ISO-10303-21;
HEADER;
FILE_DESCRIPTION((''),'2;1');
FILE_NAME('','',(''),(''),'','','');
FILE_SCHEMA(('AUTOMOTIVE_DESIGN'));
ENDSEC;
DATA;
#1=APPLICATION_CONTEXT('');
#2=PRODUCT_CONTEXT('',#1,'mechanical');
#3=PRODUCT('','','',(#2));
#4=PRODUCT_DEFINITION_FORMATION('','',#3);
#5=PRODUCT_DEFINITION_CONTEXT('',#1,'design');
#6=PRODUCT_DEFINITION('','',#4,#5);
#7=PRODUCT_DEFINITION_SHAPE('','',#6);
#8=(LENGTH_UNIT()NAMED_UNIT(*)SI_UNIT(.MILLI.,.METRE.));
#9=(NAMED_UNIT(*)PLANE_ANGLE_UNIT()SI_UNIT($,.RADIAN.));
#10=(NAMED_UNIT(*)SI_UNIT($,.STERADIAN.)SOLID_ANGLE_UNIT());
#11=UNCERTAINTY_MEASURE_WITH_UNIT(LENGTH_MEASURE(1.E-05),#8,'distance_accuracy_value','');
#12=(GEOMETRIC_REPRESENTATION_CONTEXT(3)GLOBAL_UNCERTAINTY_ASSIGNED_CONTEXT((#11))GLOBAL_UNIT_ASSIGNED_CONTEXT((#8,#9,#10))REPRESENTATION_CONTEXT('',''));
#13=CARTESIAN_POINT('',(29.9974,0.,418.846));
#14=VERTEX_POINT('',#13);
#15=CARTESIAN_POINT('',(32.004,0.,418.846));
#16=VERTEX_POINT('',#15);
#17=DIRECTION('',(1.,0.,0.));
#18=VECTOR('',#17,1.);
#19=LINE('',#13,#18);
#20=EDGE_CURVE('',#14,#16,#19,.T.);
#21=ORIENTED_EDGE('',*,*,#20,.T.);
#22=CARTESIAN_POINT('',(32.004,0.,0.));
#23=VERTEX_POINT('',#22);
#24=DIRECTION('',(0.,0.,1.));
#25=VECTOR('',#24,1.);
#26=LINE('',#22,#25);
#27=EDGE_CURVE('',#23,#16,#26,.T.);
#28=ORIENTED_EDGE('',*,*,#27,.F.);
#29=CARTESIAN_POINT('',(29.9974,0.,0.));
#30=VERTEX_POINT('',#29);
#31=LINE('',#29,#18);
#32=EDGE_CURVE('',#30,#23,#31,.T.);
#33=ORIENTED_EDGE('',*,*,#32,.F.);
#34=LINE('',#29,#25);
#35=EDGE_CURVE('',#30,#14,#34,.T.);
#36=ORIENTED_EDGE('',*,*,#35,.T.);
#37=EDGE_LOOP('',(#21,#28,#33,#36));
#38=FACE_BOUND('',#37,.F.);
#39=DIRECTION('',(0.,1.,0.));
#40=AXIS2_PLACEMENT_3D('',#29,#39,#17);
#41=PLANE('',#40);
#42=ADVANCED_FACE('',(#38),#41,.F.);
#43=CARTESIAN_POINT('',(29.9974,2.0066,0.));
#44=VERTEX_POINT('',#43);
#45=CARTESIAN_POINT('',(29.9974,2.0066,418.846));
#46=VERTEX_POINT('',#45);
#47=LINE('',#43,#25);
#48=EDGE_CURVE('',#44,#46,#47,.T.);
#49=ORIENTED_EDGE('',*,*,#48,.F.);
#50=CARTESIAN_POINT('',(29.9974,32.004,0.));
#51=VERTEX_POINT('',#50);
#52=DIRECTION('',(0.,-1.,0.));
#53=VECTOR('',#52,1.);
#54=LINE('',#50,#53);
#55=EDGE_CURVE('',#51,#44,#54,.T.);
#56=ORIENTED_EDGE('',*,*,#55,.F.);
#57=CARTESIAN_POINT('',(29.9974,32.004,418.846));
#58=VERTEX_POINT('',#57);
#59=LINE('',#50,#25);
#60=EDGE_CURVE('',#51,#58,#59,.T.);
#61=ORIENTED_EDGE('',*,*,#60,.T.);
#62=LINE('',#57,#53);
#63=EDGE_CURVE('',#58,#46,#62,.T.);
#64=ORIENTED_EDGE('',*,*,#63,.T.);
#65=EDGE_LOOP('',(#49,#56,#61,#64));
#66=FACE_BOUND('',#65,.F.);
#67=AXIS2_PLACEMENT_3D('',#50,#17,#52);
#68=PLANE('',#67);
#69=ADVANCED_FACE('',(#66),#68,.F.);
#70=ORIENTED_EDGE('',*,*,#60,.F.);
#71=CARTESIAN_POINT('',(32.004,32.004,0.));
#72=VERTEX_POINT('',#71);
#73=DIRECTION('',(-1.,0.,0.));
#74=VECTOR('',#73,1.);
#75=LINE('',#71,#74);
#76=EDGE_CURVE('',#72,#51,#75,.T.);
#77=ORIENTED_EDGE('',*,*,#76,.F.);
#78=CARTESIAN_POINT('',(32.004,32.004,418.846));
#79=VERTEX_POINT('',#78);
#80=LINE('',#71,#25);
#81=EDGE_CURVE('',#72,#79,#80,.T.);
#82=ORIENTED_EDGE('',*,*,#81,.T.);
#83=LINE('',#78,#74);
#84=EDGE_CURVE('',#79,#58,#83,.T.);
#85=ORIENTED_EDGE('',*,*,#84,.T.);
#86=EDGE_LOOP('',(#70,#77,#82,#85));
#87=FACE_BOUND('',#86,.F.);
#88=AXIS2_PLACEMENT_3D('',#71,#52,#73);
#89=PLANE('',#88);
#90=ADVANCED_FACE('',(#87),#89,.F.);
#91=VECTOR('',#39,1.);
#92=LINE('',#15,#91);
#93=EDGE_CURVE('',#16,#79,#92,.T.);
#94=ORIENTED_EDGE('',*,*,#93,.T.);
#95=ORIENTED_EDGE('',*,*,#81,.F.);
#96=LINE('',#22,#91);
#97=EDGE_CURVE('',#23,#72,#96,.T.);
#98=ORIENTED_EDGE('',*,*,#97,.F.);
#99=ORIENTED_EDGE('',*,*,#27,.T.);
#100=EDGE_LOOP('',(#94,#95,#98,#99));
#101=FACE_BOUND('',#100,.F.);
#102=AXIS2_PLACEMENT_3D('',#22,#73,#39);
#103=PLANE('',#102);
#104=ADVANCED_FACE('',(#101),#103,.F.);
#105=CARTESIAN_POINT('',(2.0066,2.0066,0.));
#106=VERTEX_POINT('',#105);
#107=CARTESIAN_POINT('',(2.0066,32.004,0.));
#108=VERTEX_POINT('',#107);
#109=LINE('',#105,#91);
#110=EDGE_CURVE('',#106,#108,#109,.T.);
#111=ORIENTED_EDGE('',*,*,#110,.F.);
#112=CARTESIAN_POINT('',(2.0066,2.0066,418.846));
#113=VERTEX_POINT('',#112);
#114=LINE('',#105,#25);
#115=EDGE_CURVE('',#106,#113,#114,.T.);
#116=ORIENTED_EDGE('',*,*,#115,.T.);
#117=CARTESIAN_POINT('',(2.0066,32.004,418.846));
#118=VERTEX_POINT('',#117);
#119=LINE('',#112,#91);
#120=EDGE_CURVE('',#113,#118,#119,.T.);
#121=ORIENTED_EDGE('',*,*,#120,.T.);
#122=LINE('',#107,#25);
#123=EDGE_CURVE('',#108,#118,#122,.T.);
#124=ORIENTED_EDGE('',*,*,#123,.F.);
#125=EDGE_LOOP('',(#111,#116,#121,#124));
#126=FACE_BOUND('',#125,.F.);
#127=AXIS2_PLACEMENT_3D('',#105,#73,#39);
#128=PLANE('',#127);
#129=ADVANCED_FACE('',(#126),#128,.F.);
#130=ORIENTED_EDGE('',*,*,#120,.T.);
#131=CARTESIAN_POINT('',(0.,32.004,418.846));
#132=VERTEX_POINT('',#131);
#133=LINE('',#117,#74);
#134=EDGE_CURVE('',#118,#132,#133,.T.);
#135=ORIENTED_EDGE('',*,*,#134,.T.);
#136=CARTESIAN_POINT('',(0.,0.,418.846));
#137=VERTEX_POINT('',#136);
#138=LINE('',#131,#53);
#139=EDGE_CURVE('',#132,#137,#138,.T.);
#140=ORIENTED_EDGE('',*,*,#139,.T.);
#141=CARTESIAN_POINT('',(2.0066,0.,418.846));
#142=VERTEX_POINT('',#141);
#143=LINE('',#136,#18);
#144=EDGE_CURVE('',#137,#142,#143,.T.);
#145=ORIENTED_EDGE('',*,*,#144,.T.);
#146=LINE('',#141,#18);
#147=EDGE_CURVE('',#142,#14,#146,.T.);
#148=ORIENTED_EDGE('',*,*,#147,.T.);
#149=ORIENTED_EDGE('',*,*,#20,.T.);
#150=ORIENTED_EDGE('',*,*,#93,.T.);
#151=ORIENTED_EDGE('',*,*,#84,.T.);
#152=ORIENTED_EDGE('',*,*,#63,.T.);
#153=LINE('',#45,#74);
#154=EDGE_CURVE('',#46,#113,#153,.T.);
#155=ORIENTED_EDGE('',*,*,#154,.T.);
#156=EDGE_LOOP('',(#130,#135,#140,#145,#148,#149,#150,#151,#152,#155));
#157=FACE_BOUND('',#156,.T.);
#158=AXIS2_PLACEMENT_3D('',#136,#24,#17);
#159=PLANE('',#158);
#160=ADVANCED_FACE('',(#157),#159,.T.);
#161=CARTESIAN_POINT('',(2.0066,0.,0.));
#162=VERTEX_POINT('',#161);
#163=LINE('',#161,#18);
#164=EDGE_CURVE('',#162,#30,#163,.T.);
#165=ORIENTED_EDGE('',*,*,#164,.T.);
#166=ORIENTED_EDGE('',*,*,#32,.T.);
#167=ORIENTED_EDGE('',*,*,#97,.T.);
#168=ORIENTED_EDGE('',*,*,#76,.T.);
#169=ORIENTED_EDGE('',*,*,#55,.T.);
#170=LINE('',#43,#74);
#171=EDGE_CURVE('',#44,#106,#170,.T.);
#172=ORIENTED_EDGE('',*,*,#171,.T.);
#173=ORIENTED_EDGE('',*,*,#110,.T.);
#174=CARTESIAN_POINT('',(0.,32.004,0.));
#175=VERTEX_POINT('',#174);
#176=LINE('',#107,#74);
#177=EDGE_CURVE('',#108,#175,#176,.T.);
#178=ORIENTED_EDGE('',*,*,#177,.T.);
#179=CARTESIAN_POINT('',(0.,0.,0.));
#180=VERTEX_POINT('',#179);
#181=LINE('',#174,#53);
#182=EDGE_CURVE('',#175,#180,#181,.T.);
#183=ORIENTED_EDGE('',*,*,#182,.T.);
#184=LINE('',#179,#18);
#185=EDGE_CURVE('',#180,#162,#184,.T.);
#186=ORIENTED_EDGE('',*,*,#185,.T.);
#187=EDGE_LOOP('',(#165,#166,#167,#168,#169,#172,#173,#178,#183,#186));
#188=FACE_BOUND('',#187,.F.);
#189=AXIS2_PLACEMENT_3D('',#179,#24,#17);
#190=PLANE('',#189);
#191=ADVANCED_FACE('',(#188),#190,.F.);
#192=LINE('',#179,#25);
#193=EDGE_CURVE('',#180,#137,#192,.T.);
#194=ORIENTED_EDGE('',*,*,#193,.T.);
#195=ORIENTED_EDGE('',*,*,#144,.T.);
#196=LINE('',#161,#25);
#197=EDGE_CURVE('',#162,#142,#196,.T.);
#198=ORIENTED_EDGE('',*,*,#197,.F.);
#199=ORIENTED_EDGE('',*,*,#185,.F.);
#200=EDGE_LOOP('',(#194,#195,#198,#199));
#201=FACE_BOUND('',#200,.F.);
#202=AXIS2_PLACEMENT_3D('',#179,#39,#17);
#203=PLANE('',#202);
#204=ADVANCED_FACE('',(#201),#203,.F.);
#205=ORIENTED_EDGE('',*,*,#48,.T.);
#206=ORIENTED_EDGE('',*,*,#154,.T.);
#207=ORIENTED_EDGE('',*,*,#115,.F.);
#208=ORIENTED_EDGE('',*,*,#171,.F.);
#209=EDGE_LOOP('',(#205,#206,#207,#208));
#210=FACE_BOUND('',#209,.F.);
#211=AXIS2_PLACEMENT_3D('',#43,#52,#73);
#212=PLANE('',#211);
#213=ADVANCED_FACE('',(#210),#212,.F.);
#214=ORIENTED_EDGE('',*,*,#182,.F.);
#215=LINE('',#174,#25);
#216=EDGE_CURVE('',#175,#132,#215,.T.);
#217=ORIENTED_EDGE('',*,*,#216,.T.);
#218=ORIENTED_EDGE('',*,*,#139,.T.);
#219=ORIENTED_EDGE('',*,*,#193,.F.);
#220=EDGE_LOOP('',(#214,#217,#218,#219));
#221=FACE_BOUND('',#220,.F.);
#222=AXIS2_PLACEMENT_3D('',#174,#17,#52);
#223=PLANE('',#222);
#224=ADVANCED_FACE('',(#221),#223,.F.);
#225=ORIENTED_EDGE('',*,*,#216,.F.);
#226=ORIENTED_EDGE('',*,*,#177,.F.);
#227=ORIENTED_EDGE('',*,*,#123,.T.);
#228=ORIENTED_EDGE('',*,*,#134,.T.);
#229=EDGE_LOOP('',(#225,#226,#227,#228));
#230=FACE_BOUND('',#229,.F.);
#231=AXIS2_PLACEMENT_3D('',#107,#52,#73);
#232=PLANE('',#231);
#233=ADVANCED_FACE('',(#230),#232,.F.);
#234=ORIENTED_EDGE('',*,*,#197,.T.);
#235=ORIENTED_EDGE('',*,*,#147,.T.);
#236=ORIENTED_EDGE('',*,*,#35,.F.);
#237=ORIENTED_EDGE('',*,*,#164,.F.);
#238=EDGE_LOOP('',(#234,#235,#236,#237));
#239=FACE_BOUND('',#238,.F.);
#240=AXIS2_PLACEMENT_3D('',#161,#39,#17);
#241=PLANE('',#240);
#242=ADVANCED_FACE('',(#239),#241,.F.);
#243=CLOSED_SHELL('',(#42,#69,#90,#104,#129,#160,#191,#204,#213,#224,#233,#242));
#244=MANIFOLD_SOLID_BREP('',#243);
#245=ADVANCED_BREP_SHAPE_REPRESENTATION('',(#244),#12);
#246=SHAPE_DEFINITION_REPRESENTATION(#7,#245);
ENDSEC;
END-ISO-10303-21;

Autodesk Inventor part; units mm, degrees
ref_plane "YZ Plane" through (0, 0, 0) normal (1, 0, 0) x (0, 1, 0)
ref_plane "XZ Plane" through (0, 0, 0) normal (0, 1, 0) x (-1, 0, 0)
ref_plane "XY Plane" through (0, 0, 0) normal (0, 0, 1) x (1, 0, 0)
sketch "Sketch1" plane through (0, 0, 0) normal (0, 0, 1) x (1, 0, 0)
  line L0 (2.0066, 32.004) -> (0, 32.004)
  line L1 (0, 32.004) -> (0, 0)
  line L2 (0, 0) -> (2.0066, 0)
  line L3 (2.0066, 2.0066) -> (2.0066, 32.004)
  line L4 (2.0066, 0) -> (29.9974, 0)
  line L5 (29.9974, 2.0066) -> (2.0066, 2.0066)
  line L6 (29.9974, 0) -> (32.004, 0)
  line L7 (32.004, 0) -> (32.004, 32.004)
  line L8 (32.004, 32.004) -> (29.9974, 32.004)
  line L9 (29.9974, 32.004) -> (29.9974, 2.0066)
  dimension "d2" = 2.0066
  dimension "d3" = 32.004
sketch "Sketch2" plane through (0, 0, 0) normal (0, 0, 1) x (1, 0, 0)
  point P0 (0, 0)
extrude "Extrusion1" add sketch "Sketch1" along normal blind 418.846
properties part number "USEsolid7andsomething"
